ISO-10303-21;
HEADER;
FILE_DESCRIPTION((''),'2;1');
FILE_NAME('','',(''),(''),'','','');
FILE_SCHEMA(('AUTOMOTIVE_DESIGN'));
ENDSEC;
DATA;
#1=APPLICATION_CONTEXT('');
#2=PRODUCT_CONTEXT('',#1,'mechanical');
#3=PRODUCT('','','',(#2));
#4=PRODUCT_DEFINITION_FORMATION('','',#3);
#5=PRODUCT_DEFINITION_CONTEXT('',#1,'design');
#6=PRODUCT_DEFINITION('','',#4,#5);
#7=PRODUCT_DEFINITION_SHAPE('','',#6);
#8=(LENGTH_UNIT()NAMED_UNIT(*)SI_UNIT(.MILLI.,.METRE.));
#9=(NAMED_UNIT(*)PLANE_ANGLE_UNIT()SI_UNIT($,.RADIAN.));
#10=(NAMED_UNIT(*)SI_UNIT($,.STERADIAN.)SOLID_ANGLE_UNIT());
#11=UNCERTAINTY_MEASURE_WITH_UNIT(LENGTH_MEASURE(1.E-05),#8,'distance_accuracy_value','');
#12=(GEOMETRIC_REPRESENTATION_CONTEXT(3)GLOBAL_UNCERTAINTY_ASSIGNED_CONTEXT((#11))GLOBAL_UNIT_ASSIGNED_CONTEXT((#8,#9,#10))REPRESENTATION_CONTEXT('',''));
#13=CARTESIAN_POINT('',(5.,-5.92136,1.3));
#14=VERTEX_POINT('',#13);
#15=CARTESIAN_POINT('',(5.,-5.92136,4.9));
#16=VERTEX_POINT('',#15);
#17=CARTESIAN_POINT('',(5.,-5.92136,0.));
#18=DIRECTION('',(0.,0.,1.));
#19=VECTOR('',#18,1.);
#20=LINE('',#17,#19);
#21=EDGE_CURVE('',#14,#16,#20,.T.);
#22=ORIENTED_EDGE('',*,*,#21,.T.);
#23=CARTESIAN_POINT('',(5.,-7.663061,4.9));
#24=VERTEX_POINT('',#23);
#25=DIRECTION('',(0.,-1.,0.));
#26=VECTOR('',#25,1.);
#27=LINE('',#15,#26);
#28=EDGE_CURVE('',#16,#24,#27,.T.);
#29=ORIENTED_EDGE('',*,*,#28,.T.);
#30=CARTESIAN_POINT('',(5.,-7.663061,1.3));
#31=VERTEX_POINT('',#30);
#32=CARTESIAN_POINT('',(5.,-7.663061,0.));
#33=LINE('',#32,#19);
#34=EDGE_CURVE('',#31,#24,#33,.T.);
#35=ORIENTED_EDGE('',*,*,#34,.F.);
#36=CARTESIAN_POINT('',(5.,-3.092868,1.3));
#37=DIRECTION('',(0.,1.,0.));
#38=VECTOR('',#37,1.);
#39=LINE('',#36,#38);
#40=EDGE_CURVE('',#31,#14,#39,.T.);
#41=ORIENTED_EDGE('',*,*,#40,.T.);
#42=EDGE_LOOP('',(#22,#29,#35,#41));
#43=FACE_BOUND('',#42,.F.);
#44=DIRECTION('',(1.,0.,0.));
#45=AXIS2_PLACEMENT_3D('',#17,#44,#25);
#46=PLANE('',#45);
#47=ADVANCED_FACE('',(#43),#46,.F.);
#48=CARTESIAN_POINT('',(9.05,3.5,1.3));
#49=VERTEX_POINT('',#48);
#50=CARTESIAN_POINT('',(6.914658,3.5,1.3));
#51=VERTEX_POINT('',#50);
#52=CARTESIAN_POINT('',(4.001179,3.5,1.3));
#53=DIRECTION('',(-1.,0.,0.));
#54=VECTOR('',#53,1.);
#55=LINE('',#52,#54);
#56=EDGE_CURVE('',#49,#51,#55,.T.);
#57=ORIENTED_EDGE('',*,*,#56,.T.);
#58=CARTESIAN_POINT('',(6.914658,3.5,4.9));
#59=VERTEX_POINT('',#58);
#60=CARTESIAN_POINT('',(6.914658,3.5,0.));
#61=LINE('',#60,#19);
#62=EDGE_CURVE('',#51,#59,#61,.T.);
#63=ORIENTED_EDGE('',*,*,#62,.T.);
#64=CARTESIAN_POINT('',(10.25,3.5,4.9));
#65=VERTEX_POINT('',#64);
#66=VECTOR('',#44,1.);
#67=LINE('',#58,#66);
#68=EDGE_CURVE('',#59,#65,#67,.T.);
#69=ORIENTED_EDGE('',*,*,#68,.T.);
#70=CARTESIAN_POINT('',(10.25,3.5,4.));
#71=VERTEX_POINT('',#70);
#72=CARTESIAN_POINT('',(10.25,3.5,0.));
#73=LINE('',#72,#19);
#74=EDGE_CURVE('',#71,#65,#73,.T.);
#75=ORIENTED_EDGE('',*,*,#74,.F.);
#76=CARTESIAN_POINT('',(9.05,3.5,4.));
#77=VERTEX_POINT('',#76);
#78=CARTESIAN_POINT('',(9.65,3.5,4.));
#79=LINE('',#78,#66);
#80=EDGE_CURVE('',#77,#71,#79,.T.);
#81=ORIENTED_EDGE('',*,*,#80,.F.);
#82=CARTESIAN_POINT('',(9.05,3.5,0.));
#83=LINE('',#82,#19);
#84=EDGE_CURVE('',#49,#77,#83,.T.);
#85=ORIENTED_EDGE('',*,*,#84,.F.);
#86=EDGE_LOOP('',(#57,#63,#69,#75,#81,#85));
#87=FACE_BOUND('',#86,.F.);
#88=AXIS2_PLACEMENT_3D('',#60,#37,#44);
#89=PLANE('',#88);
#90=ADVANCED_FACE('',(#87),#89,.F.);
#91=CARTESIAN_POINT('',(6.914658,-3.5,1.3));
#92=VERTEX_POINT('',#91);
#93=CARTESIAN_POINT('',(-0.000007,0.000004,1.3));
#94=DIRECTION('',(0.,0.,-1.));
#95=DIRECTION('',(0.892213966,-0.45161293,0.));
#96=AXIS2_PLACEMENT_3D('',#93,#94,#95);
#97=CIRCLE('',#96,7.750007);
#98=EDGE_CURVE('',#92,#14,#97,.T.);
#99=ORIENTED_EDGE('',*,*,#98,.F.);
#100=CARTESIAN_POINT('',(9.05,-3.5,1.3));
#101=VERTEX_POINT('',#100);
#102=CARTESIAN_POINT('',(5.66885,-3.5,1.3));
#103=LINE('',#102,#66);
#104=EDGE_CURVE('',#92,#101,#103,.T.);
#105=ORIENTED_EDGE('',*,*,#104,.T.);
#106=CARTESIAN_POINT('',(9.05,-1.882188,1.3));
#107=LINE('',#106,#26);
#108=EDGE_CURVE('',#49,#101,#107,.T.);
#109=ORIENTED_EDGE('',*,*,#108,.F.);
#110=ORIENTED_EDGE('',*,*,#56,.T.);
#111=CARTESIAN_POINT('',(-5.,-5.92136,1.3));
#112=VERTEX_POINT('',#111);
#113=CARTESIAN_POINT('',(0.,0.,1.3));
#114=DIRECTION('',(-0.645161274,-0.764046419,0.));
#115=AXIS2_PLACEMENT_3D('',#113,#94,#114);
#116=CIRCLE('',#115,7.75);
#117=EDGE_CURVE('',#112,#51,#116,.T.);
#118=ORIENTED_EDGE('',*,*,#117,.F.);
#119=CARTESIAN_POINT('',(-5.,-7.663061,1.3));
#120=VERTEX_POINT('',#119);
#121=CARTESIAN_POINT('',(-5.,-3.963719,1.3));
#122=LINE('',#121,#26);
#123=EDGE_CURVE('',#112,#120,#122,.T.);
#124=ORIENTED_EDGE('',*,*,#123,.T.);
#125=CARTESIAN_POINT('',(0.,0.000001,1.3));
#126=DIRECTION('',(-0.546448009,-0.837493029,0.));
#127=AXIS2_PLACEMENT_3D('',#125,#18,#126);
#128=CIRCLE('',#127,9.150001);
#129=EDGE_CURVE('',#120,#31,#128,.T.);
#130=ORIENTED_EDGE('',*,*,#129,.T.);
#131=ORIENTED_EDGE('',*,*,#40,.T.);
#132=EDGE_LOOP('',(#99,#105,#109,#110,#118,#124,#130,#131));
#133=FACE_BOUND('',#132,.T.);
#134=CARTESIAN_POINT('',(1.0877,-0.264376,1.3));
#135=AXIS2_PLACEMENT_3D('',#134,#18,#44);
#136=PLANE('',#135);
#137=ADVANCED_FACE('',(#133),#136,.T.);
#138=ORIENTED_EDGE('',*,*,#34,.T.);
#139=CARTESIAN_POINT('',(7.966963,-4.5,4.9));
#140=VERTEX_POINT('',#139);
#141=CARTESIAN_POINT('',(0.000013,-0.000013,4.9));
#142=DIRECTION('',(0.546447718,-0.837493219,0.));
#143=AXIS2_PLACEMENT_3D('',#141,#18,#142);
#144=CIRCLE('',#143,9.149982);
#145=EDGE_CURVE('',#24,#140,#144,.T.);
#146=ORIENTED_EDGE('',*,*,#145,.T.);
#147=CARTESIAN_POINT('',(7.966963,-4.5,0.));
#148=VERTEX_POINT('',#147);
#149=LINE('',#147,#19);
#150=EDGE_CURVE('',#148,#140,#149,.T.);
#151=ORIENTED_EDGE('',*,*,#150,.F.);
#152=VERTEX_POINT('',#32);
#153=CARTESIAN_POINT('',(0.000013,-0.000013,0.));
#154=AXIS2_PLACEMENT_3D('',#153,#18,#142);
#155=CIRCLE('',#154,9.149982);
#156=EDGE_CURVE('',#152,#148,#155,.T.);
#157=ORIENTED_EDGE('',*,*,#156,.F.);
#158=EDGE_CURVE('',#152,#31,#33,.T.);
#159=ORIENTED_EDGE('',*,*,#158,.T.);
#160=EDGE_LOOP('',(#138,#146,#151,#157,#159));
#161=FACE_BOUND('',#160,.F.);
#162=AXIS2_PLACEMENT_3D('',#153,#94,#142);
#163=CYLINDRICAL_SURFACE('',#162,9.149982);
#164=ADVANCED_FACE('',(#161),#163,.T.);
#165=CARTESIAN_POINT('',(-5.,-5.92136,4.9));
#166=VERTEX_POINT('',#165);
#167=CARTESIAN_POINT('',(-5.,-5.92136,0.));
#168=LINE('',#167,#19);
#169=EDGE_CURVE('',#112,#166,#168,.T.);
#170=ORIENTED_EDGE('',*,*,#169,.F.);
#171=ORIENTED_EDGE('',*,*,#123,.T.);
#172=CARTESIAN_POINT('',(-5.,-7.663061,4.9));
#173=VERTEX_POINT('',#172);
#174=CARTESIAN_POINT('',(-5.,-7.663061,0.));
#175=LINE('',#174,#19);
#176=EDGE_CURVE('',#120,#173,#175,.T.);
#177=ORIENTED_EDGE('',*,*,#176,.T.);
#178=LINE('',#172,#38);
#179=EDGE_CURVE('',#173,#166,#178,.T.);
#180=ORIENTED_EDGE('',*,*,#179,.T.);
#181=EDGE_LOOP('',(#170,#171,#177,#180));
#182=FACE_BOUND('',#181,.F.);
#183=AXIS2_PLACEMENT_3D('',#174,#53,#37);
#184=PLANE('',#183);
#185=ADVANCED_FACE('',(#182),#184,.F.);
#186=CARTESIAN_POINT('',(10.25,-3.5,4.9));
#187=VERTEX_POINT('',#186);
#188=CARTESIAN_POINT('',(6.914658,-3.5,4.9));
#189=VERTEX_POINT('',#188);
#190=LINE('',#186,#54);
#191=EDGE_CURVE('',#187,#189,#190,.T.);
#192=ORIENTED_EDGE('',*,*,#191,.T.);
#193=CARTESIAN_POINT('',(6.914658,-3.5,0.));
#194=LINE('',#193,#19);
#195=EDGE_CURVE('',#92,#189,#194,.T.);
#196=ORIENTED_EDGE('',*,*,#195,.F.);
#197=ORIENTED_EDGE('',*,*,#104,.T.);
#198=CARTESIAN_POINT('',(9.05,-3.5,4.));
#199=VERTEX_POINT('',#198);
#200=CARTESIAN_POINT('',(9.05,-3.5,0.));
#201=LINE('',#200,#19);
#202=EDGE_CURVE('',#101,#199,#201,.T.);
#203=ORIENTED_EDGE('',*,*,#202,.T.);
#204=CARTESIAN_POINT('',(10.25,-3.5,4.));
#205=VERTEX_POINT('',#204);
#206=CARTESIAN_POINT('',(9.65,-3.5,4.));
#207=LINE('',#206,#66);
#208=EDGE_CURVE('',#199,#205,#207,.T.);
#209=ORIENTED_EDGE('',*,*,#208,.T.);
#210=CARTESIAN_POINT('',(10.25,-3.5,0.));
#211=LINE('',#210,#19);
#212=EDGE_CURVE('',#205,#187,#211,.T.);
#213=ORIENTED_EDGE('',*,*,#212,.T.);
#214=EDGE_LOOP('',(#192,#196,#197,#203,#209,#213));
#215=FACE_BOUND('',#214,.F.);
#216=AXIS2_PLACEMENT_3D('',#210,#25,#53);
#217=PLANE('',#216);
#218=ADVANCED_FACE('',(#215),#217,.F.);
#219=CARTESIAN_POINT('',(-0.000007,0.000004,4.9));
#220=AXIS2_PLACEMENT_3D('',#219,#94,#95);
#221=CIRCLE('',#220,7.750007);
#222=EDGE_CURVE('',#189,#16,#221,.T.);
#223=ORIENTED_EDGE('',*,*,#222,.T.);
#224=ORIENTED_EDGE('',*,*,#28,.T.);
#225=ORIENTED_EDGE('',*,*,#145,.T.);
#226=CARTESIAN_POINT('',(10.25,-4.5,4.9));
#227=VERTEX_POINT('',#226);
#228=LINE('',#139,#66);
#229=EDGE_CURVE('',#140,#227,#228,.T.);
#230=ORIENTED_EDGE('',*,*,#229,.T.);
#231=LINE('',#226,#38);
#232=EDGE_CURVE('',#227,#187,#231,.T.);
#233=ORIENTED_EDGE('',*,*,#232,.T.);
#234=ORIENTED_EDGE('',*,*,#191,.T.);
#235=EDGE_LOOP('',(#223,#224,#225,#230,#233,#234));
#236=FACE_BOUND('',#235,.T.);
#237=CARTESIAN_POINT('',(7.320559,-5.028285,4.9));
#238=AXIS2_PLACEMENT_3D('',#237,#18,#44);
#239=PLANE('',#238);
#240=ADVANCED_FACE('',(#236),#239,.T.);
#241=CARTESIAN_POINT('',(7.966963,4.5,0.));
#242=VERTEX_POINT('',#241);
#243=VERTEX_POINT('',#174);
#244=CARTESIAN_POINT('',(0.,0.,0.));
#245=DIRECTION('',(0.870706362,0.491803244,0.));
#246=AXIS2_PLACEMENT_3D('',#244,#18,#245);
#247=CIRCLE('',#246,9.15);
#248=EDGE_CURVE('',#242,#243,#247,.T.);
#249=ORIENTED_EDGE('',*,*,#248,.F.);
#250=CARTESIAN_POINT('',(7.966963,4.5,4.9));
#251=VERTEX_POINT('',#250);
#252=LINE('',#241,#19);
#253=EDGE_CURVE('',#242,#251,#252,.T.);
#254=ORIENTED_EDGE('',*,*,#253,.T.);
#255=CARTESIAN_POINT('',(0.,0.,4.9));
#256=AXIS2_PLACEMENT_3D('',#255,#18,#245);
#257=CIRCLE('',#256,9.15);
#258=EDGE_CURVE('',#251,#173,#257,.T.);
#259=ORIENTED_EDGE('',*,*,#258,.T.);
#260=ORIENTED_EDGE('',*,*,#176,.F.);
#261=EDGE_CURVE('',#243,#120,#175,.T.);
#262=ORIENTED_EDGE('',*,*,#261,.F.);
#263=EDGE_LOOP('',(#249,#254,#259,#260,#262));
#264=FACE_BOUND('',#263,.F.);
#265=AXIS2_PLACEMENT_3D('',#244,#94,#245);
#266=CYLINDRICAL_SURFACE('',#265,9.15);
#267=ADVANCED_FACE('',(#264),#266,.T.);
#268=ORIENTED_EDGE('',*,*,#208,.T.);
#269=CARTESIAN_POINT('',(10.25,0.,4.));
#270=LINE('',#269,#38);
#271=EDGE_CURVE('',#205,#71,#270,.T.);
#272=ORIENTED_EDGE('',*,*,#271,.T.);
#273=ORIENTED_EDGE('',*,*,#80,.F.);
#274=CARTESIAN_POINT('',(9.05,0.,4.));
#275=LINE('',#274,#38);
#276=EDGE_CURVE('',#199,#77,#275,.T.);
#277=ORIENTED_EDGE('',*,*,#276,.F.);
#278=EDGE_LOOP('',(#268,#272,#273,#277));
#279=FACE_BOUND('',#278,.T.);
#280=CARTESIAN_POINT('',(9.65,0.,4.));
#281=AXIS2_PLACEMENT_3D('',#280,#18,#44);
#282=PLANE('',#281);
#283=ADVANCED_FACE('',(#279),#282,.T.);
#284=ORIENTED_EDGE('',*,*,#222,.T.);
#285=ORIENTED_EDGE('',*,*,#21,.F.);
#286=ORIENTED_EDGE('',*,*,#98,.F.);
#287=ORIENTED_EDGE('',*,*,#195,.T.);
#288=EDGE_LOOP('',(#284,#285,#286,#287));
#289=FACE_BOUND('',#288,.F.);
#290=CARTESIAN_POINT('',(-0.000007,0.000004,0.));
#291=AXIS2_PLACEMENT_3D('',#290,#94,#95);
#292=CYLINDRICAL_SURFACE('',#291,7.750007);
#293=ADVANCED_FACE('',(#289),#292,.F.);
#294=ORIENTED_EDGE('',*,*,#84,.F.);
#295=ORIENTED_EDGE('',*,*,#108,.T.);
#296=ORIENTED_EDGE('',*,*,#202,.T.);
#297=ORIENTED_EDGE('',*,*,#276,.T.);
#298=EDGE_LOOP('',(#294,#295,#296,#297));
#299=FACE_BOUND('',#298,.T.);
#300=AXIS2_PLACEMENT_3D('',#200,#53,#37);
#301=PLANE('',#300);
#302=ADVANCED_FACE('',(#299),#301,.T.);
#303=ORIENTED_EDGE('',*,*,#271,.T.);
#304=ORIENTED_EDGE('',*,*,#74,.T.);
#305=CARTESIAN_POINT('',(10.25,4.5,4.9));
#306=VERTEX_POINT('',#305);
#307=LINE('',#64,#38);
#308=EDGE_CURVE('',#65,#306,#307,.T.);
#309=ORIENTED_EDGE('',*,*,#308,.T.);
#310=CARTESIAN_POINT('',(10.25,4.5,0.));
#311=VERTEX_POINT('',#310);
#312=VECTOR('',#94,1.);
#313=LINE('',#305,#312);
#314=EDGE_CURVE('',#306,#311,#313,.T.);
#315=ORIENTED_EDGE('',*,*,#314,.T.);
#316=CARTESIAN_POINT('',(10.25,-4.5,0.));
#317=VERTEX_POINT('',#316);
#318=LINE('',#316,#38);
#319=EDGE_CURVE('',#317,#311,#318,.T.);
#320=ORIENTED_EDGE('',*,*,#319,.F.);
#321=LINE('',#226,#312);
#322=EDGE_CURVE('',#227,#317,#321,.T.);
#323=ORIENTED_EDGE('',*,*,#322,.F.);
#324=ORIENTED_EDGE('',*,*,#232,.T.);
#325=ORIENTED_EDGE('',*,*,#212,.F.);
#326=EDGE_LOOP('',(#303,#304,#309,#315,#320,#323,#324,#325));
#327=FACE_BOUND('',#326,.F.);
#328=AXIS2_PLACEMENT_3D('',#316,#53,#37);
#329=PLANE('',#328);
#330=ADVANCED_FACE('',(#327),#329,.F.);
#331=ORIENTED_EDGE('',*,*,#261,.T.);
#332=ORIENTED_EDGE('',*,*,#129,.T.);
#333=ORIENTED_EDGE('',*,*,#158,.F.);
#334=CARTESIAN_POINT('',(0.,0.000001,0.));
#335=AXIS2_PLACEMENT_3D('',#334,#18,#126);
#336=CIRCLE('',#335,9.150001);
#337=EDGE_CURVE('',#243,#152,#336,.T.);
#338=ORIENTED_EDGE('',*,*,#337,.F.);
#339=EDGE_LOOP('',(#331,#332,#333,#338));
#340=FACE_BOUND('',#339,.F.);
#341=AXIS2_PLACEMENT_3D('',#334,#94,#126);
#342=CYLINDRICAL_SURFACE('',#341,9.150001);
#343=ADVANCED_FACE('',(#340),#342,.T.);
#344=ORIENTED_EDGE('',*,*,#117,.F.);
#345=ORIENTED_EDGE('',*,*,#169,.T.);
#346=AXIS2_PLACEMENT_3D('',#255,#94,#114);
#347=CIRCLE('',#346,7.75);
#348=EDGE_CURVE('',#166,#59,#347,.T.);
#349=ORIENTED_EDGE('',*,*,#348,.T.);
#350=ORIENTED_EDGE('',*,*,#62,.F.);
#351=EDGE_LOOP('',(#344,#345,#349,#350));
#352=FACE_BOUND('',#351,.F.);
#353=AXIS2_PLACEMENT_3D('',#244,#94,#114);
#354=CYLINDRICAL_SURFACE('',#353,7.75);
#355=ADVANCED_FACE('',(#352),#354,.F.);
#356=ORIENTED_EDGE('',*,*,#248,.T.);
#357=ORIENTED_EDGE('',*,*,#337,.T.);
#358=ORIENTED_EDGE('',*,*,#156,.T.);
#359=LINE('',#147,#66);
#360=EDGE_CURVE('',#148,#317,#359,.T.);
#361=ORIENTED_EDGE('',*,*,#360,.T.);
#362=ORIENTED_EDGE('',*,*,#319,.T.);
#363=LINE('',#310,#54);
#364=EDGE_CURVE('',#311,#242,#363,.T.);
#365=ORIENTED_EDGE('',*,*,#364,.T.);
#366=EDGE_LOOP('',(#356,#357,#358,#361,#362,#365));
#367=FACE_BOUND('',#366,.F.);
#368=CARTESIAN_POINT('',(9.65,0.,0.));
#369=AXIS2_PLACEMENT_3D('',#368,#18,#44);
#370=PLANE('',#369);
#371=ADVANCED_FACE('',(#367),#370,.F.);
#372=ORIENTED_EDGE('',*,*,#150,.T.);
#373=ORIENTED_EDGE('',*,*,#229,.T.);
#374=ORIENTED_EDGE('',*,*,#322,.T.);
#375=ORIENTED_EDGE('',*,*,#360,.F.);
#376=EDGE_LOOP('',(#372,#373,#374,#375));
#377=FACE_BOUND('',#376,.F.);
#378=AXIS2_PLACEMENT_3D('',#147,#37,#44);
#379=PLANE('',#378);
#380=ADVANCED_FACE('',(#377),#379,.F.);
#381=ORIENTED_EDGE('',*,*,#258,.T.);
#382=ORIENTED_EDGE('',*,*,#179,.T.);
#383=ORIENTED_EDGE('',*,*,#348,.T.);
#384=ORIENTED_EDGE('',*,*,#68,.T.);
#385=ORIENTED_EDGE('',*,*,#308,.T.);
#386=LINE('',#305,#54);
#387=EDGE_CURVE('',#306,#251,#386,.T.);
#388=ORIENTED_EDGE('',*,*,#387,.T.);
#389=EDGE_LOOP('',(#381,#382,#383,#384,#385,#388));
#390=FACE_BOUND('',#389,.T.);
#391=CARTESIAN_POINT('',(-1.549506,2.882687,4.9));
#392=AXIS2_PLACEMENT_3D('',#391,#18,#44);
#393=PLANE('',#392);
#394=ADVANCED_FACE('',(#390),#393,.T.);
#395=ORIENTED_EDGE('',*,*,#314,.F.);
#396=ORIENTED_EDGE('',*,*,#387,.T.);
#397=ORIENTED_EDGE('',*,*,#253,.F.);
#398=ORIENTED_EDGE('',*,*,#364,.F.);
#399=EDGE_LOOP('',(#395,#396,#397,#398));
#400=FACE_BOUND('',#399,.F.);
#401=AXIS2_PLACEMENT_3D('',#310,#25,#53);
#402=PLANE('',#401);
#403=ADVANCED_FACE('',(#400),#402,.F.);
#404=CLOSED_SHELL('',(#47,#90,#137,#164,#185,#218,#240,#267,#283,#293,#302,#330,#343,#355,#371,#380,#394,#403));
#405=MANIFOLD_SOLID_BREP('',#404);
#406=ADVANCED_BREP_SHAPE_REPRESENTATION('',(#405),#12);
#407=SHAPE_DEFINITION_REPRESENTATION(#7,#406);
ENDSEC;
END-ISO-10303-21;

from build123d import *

# Parameters (mm, degrees)
F0_W     = 1.2
F0_H     = 7
F1_DEPTH = 1.3
F2_DEPTH = 4.9
F3_DEPTH = 4


with BuildPart() as f1:
    # F0 (on Top) → F1 (new body)
    with BuildSketch(Plane.XY):
        with BuildLine():
            Line((9.05, 3.5), (6.914658, 3.5))
            ThreePointArc((6.914658, 3.5), (-4.806972, 6.079105), (-5, -5.92136))
            ThreePointArc((-5, -5.92136), (0, -7.75), (5, -5.92136))
            ThreePointArc((5, -5.92136), (6.079105, -4.806972), (6.914658, -3.5))
            Line((6.914658, -3.5), (9.05, -3.5))
            Line((9.05, -3.5), (9.05, 3.5))
        make_face()
        with BuildLine():
            ThreePointArc((-5, -5.92136), (-4.806972, 6.079105), (6.914658, 3.5))
            Line((6.914658, 3.5), (9.05, 3.5))
            Line((9.05, 3.5), (10.25, 3.5))
            Line((10.25, 3.5), (10.25, 4.5))
            Line((10.25, 4.5), (7.966963, 4.5))
            ThreePointArc((7.966963, 4.5), (-6.259851, 6.673588), (-5, -7.663061))
            Line((-5, -7.663061), (-5, -5.92136))
        make_face()
        with BuildLine():
            ThreePointArc((5, -5.92136), (0, -7.75), (-5, -5.92136))
            Line((-5, -5.92136), (-5, -7.663061))
            ThreePointArc((-5, -7.663061), (0, -9.15), (5, -7.663061))
            Line((5, -7.663061), (5, -5.92136))
        make_face()
        with Locations((9.65, 0)):
            Rectangle(F0_W, F0_H)
        with BuildLine():
            ThreePointArc((6.914658, -3.5), (6.079105, -4.806972), (5, -5.92136))
            Line((5, -5.92136), (5, -7.663061))
            ThreePointArc((5, -7.663061), (6.673588, -6.259851), (7.966963, -4.5))
            Line((7.966963, -4.5), (10.25, -4.5))
            Line((10.25, -4.5), (10.25, -3.5))
            Line((10.25, -3.5), (9.05, -3.5))
            Line((9.05, -3.5), (6.914658, -3.5))
        make_face()
    extrude(amount=F1_DEPTH)

    # F0 (on Top) → F2 (join)
    with BuildSketch(Plane.XY):
        with BuildLine():
            ThreePointArc((-5, -5.92136), (-4.806972, 6.079105), (6.914658, 3.5))
            Line((6.914658, 3.5), (9.05, 3.5))
            Line((9.05, 3.5), (10.25, 3.5))
            Line((10.25, 3.5), (10.25, 4.5))
            Line((10.25, 4.5), (7.966963, 4.5))
            ThreePointArc((7.966963, 4.5), (-6.259851, 6.673588), (-5, -7.663061))
            Line((-5, -7.663061), (-5, -5.92136))
        make_face()
        with BuildLine():
            ThreePointArc((6.914658, -3.5), (6.079105, -4.806972), (5, -5.92136))
            Line((5, -5.92136), (5, -7.663061))
            ThreePointArc((5, -7.663061), (6.673588, -6.259851), (7.966963, -4.5))
            Line((7.966963, -4.5), (10.25, -4.5))
            Line((10.25, -4.5), (10.25, -3.5))
            Line((10.25, -3.5), (9.05, -3.5))
            Line((9.05, -3.5), (6.914658, -3.5))
        make_face()
    extrude(amount=F2_DEPTH)

    # F0 (on Top) → F3 (join)
    with BuildSketch(Plane.XY):
        with Locations((9.65, 0)):
            Rectangle(F0_W, F0_H)
    extrude(amount=F3_DEPTH)


solid = f1.part
